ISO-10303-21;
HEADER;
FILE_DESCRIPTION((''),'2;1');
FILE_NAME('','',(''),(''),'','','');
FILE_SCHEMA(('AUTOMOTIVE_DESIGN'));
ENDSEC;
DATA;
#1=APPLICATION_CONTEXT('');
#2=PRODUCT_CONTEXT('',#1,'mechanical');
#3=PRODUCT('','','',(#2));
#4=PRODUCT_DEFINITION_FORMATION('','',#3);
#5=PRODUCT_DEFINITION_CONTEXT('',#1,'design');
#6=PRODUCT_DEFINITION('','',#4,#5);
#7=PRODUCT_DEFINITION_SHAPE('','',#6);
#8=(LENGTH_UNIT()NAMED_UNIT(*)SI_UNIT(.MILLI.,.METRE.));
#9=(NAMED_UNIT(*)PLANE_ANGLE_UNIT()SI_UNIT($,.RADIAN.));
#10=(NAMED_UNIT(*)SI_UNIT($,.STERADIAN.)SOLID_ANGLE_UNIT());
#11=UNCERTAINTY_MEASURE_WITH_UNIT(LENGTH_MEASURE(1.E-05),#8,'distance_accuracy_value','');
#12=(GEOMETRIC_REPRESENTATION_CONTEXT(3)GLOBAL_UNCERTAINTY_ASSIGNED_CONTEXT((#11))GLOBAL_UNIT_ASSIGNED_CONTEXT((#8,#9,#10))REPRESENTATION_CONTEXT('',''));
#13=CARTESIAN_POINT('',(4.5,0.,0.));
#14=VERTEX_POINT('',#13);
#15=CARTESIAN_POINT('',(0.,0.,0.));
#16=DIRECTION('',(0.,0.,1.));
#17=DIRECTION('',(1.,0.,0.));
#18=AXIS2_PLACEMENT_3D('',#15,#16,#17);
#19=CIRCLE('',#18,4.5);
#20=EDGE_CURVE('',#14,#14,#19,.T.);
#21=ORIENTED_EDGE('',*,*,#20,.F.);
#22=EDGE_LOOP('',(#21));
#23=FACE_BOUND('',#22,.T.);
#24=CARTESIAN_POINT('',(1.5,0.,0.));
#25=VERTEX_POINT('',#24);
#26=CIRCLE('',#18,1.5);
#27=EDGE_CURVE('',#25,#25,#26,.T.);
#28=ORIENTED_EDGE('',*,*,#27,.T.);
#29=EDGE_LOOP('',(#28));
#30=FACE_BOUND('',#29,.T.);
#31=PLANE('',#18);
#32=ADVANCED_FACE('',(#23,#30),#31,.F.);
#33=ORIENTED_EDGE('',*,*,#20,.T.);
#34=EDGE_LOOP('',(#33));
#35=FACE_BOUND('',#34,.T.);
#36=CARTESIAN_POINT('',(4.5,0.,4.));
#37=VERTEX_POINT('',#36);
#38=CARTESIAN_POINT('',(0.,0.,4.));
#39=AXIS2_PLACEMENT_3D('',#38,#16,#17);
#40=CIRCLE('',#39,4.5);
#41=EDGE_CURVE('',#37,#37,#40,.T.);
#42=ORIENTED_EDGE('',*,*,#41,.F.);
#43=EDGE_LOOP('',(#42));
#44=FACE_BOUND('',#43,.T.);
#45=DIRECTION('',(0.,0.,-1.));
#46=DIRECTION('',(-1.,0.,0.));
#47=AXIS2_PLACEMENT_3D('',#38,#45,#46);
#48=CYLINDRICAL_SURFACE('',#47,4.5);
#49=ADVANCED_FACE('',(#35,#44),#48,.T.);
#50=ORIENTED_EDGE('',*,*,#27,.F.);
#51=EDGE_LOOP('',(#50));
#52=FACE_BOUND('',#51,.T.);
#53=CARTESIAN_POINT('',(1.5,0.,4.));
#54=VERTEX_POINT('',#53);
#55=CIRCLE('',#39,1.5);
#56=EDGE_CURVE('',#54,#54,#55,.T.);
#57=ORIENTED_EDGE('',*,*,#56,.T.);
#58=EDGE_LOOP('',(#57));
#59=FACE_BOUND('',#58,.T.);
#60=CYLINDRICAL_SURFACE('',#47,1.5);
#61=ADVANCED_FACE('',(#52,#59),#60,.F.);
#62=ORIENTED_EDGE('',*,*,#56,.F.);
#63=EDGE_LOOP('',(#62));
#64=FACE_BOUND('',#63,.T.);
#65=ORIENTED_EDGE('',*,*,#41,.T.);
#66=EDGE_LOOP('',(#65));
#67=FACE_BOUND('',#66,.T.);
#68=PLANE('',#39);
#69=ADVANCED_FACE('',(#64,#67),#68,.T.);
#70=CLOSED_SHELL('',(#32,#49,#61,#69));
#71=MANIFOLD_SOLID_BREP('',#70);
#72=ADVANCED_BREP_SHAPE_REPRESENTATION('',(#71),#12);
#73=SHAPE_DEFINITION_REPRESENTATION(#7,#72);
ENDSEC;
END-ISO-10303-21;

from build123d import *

# Parameters (mm, degrees)
ESBO_O1_R                = 4.5
ESBO_O1_R_2              = 1.5
RESSALTO_EXTRUS_O1_DEPTH = 4


with BuildPart() as part:
    # Esboço1 → Ressalto-extrusão1 (new body)
    with BuildSketch(Plane.XY):
        Circle(ESBO_O1_R)
        Circle(ESBO_O1_R_2, mode=Mode.SUBTRACT)
    extrude(amount=RESSALTO_EXTRUS_O1_DEPTH)


solid = part.part
